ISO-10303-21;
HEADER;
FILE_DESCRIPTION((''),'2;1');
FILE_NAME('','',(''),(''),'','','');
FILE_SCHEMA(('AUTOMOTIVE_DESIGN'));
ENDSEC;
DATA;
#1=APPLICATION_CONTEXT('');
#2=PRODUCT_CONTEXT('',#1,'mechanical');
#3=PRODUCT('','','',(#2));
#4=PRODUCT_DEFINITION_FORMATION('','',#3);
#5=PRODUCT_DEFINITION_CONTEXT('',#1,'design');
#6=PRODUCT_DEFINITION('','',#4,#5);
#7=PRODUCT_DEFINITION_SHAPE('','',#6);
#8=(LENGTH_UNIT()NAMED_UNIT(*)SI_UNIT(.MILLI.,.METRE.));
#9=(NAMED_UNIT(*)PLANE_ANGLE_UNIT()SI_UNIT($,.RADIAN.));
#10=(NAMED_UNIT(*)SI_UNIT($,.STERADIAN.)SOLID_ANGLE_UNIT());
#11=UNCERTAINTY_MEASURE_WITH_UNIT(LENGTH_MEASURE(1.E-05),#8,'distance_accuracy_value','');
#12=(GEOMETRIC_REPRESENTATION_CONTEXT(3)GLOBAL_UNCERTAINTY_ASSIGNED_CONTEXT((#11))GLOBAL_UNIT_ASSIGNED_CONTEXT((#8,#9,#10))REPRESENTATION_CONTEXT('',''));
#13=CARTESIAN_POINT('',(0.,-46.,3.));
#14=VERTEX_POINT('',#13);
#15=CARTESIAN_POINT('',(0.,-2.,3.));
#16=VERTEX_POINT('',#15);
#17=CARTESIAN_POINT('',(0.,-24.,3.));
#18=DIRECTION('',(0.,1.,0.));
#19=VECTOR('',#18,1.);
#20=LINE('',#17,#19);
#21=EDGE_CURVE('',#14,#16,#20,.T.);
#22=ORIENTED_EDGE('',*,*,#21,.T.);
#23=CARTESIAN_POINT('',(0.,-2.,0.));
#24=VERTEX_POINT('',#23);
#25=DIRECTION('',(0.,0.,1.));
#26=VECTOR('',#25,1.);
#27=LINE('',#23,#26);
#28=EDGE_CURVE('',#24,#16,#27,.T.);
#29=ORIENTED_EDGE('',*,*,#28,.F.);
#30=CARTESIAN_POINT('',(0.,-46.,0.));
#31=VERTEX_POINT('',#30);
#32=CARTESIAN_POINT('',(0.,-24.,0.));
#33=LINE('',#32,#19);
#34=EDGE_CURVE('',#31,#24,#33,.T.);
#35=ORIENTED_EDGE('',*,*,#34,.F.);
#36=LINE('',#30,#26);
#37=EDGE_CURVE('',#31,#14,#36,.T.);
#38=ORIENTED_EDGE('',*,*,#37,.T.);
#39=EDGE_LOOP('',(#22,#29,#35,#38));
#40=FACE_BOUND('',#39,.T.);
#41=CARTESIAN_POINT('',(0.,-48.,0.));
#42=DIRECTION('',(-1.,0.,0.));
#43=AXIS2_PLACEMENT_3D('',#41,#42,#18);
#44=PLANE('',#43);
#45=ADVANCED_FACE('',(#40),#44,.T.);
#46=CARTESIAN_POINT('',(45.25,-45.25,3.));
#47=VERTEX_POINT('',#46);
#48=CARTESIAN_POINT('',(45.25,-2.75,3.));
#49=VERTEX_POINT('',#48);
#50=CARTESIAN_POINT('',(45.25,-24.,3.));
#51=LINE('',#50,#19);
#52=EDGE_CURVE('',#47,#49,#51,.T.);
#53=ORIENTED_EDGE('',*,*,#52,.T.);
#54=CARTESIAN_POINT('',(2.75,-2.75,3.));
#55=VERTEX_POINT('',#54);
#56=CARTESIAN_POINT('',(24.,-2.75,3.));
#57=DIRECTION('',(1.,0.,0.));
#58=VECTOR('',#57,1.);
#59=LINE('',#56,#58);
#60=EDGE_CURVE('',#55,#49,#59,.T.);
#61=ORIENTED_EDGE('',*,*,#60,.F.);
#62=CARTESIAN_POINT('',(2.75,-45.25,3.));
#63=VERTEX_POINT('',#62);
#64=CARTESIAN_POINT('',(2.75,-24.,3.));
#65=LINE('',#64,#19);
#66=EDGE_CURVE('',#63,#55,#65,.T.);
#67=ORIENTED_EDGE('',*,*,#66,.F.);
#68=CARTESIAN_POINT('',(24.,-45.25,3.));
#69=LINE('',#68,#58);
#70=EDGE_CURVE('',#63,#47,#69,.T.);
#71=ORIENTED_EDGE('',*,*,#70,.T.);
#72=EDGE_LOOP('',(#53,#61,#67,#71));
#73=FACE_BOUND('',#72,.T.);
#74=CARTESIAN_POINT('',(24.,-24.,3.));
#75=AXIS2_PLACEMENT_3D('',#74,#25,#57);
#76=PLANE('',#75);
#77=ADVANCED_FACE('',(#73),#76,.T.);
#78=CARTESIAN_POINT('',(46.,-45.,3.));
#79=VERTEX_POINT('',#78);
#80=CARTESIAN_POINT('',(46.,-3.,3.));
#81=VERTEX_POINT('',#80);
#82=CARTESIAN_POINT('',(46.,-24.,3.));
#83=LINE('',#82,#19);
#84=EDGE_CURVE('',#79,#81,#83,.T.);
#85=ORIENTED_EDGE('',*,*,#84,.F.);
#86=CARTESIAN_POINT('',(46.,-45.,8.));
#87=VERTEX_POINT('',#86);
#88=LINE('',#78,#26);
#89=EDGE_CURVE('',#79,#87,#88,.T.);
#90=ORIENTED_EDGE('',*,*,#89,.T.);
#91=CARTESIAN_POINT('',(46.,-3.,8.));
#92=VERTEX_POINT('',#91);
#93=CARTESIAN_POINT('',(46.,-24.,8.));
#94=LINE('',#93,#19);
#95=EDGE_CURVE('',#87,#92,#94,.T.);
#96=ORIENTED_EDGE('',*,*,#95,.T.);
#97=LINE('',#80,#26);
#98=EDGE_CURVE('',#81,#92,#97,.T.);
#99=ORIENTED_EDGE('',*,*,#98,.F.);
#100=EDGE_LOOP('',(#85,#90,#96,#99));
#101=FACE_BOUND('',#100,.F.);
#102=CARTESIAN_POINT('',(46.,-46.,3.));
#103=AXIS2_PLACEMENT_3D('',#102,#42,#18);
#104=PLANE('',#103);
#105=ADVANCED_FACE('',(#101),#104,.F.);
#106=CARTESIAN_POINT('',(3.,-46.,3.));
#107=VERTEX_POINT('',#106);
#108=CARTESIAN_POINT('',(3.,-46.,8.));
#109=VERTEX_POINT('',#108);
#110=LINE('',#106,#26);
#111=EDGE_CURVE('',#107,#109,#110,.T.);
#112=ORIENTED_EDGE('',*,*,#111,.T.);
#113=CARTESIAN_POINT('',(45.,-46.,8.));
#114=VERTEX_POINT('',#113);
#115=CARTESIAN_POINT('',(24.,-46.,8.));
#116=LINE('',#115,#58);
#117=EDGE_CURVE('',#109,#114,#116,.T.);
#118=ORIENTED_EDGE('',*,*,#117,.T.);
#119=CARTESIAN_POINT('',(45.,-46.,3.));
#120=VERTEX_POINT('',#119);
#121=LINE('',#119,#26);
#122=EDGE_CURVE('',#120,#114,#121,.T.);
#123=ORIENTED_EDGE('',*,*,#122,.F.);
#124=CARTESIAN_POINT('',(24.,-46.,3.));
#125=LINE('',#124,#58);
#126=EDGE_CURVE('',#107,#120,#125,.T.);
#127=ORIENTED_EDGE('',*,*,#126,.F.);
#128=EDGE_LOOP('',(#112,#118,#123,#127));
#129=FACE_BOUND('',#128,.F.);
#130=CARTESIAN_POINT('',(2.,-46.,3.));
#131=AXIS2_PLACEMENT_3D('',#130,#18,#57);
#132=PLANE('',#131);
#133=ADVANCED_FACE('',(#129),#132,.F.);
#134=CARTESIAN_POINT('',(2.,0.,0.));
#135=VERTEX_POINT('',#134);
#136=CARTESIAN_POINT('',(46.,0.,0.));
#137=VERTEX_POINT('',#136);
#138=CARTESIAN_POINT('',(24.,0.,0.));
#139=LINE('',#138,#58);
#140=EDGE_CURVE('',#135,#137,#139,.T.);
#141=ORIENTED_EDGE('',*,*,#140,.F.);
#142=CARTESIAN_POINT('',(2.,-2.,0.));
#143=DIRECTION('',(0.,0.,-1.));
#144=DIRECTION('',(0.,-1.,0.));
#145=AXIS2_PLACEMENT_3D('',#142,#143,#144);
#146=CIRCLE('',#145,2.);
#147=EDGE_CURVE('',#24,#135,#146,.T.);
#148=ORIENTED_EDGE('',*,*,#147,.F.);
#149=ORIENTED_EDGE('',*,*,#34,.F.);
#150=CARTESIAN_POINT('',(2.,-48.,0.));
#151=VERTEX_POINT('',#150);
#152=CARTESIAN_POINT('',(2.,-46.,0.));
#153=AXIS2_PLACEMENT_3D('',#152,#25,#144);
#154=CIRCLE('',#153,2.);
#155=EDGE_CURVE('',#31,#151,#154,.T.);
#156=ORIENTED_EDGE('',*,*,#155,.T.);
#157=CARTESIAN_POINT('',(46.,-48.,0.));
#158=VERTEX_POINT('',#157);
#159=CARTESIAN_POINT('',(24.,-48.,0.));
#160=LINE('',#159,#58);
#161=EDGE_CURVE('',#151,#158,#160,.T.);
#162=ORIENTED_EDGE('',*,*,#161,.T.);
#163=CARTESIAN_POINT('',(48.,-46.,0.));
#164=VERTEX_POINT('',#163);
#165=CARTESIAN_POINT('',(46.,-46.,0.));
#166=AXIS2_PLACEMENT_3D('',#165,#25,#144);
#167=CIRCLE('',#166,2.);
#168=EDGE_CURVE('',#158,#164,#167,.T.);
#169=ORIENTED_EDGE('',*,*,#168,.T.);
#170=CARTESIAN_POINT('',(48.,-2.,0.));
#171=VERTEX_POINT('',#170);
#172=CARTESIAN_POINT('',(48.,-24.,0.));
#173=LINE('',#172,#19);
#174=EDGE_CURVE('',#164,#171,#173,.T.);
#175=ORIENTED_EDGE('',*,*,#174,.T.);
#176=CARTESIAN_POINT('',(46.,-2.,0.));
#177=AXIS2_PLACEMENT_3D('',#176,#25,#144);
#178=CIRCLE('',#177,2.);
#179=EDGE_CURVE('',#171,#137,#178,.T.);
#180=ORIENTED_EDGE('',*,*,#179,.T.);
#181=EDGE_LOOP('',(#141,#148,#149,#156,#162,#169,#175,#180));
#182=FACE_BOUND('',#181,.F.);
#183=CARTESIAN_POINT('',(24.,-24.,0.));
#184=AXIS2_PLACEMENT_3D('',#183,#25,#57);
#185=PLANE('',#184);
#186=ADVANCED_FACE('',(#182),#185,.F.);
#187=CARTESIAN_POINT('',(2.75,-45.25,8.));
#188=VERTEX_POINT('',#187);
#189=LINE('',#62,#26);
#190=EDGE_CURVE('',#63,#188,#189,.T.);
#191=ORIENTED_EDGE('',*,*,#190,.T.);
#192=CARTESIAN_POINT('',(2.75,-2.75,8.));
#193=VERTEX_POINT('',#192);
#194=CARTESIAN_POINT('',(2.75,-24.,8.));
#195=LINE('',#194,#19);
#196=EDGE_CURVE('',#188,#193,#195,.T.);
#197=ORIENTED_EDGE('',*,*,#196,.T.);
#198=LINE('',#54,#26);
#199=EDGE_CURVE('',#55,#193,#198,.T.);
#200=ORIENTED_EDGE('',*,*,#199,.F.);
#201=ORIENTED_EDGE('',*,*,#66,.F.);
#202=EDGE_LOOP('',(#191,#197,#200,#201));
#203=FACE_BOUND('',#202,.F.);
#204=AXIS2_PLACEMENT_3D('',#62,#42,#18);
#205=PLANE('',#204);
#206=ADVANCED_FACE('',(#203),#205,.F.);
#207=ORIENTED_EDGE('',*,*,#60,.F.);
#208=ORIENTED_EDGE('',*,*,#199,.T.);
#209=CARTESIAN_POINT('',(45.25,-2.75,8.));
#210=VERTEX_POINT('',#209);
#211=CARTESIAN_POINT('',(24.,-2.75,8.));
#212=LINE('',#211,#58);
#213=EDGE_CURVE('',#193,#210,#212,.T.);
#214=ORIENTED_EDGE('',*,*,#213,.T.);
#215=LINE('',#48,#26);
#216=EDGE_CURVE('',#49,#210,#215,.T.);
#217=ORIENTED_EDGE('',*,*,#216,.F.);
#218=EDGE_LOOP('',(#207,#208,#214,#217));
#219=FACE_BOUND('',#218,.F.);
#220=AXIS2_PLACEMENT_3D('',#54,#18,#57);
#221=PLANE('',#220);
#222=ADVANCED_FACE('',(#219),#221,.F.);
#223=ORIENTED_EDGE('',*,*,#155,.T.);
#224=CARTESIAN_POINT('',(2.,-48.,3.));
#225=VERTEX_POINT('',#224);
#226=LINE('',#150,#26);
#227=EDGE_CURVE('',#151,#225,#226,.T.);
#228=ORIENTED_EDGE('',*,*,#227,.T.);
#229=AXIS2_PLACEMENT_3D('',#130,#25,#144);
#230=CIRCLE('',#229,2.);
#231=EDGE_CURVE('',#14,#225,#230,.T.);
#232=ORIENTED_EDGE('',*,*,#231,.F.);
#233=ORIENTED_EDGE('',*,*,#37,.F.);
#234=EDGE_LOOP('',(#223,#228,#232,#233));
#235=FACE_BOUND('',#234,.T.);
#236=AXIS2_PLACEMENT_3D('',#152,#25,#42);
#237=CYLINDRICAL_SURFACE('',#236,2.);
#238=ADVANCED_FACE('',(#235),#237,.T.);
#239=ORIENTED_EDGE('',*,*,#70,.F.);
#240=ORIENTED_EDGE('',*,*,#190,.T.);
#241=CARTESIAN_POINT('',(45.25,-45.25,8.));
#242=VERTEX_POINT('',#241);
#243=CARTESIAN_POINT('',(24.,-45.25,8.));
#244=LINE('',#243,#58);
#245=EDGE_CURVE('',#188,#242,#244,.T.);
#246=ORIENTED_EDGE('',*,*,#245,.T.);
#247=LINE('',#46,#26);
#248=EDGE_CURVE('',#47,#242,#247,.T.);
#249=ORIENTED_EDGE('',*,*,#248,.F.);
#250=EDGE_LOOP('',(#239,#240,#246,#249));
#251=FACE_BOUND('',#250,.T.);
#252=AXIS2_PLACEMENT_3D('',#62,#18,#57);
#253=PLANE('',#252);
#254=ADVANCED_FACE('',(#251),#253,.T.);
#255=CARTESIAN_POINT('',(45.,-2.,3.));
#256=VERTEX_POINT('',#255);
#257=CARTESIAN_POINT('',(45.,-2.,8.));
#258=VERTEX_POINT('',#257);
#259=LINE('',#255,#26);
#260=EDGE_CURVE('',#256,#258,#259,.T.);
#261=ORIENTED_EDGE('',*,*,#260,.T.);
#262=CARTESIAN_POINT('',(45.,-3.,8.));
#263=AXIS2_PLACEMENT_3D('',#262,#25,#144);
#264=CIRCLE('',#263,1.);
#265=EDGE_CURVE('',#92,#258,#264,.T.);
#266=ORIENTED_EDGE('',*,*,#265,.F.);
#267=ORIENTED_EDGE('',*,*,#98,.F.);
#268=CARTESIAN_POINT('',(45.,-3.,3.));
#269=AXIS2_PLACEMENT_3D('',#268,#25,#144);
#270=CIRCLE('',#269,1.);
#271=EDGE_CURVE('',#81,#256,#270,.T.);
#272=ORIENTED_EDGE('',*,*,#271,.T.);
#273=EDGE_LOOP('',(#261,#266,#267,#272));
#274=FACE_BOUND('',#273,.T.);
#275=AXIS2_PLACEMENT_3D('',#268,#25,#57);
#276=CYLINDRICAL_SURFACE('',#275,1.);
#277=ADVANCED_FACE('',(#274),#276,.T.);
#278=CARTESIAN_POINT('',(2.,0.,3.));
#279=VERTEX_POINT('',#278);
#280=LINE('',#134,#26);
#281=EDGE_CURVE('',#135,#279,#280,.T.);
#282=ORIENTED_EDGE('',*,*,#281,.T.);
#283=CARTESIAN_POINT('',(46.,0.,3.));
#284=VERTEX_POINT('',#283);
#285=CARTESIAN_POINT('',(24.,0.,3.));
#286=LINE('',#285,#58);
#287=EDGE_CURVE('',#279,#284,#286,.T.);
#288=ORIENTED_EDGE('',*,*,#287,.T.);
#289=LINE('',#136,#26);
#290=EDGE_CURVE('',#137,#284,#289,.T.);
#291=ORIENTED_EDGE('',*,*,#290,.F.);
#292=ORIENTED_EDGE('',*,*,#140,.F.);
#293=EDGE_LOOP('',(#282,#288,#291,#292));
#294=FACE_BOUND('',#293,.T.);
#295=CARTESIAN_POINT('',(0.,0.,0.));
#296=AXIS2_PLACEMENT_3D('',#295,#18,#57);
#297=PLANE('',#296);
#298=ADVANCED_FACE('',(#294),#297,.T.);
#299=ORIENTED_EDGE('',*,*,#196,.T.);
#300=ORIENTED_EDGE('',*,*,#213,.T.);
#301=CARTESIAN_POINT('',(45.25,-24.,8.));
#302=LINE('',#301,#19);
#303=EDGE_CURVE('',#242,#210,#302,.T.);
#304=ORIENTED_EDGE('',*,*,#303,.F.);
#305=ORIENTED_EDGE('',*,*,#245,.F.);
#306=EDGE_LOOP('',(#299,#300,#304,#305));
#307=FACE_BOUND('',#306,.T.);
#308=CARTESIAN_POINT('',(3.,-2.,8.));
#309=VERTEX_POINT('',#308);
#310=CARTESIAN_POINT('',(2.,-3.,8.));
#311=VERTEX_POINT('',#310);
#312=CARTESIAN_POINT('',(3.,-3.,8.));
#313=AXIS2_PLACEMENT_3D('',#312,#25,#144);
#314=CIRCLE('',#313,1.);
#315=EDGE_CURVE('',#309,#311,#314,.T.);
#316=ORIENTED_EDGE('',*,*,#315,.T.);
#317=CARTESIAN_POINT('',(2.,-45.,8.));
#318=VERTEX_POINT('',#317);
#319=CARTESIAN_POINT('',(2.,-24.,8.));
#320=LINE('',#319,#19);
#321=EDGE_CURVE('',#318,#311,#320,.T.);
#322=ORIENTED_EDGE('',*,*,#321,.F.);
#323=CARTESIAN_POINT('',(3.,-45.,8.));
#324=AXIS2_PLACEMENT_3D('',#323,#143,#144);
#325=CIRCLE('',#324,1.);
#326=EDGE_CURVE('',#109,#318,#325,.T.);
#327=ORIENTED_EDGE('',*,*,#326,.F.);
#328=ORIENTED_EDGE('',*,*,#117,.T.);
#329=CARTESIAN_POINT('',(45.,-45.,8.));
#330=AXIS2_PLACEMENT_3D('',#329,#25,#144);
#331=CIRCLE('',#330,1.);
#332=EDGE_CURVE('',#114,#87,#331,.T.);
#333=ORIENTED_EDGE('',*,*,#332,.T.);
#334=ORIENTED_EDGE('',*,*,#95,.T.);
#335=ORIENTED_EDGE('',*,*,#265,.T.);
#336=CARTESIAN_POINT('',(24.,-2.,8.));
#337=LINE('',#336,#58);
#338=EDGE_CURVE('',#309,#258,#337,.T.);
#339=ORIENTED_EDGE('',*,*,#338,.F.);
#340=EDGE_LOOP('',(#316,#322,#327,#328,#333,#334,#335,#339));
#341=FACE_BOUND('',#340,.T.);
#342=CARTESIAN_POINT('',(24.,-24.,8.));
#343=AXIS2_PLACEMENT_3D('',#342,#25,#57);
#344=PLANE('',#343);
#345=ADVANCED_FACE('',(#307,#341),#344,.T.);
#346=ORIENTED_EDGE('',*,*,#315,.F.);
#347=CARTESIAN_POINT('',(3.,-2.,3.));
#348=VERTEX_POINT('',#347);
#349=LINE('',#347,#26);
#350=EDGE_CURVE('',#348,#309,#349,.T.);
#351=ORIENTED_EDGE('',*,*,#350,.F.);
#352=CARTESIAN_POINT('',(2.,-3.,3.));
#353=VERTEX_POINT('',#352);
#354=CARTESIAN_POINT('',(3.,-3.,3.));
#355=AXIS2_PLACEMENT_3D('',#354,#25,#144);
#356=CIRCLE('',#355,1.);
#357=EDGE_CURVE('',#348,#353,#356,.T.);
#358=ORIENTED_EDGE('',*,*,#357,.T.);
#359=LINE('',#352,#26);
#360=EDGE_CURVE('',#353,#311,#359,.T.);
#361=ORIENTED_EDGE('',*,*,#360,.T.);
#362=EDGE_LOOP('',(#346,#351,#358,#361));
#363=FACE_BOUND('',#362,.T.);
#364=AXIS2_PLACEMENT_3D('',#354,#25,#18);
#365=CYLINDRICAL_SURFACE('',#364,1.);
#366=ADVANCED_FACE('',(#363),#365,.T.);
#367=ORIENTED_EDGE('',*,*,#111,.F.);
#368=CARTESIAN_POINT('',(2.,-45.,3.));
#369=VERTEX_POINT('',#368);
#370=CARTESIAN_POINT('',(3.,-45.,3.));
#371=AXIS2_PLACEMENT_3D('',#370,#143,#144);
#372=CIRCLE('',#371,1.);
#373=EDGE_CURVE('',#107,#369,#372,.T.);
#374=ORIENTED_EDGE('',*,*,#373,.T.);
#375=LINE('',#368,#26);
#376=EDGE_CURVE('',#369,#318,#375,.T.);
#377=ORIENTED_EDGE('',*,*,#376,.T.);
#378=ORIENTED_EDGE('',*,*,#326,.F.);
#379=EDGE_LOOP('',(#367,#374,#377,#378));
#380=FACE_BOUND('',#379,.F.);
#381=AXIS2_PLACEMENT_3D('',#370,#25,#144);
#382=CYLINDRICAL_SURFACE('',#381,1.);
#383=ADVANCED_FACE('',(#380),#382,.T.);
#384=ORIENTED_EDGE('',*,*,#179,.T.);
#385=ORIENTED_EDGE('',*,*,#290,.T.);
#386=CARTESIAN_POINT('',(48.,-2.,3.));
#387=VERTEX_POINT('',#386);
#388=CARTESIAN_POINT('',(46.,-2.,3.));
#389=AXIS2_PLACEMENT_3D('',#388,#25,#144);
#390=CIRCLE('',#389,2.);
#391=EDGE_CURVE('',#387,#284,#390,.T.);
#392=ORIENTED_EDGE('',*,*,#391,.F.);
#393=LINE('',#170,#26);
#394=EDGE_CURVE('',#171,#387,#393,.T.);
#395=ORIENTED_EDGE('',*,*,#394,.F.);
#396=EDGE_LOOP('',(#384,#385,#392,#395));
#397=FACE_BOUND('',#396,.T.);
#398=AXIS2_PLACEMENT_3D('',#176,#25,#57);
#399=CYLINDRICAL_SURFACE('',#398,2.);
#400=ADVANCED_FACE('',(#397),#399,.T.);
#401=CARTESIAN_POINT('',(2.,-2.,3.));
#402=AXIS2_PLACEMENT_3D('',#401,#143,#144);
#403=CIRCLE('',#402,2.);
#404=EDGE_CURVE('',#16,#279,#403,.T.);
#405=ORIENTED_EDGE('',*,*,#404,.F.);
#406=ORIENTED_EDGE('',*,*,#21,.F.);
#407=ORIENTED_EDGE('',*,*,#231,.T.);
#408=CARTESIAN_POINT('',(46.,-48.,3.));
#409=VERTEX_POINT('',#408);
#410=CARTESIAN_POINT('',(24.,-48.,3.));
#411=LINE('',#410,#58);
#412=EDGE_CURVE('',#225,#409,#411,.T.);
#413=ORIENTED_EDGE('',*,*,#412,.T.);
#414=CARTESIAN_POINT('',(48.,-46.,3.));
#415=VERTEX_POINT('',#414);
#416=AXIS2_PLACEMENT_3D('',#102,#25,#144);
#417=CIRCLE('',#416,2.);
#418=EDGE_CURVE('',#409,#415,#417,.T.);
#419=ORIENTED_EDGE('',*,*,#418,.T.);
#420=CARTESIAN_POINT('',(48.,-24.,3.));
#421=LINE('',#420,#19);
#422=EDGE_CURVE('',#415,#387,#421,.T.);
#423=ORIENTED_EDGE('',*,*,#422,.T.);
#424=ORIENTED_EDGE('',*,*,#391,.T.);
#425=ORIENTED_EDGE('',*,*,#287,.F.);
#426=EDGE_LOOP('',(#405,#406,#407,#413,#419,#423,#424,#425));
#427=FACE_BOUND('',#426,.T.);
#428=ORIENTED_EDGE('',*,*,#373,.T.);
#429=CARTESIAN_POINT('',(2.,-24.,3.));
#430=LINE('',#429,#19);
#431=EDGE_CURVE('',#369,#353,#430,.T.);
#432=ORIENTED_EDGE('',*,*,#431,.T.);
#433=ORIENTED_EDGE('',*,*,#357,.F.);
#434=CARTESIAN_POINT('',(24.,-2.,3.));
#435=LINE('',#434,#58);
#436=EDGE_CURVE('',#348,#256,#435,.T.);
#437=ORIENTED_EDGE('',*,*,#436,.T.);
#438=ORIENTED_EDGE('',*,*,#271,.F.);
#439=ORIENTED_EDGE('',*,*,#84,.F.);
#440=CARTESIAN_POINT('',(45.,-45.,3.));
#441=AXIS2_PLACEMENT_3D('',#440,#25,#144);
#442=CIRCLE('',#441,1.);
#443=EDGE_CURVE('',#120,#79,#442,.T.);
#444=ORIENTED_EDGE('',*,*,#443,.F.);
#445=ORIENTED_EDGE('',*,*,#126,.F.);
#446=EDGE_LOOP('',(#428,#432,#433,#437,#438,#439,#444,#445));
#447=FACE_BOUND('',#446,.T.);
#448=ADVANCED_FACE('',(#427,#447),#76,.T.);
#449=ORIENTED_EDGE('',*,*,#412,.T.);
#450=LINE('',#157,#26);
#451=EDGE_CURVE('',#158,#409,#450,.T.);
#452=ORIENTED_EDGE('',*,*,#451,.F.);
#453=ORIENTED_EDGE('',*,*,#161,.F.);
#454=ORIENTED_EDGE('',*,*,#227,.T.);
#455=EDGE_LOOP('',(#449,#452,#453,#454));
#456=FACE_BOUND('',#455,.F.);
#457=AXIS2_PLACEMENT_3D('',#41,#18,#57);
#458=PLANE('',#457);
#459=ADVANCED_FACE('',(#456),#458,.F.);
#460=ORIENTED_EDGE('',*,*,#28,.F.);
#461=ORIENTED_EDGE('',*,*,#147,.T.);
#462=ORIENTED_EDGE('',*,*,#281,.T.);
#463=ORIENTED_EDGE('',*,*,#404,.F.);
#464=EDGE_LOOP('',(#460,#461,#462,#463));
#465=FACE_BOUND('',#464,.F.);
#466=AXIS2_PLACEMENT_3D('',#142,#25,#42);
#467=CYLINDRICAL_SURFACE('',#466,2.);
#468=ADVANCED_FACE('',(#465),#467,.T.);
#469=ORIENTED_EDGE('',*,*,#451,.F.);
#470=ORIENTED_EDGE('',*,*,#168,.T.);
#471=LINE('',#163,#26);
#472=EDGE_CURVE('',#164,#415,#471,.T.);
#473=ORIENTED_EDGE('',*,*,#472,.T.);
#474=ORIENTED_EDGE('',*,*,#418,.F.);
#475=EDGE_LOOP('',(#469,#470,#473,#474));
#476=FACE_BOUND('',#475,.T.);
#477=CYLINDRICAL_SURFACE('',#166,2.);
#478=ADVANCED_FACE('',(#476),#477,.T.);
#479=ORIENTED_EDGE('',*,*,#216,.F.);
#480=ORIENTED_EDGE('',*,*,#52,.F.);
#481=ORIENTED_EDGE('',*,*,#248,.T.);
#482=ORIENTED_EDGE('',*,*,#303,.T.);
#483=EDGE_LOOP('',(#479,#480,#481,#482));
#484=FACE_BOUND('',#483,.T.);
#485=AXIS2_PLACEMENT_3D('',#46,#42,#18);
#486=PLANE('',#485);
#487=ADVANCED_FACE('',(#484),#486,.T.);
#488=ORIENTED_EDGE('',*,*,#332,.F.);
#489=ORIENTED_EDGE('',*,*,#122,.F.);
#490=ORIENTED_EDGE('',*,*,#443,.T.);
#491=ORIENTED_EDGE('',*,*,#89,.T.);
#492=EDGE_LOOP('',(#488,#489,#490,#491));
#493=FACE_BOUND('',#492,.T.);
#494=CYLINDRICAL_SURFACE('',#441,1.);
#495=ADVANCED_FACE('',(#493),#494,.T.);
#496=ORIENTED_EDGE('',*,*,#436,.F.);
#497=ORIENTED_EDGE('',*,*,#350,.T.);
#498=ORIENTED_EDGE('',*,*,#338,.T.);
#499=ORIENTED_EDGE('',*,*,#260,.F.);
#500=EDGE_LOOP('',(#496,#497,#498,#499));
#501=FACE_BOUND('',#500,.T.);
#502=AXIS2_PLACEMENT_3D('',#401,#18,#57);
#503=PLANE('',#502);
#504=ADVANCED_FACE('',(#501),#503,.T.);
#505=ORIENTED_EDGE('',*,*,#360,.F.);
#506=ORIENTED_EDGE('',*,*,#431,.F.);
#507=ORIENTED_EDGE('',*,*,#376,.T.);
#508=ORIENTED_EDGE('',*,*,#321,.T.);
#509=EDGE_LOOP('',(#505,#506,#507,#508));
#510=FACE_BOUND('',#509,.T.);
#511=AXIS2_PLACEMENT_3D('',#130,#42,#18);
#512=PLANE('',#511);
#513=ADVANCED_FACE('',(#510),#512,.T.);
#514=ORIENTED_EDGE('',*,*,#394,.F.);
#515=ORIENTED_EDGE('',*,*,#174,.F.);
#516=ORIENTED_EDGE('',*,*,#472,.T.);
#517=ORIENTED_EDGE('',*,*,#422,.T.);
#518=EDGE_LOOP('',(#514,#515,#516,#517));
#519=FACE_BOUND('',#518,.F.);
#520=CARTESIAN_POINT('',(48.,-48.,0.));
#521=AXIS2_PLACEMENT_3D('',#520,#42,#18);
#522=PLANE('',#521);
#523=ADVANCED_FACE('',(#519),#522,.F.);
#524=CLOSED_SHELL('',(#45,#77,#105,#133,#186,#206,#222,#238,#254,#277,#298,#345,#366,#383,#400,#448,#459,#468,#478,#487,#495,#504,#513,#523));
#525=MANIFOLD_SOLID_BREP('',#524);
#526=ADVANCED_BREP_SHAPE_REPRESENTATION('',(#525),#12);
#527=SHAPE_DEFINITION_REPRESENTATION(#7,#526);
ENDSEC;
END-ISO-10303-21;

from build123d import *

# Parameters (mm, degrees)
F0_W     = 48
F0_H     = 48
F1_DEPTH = 3
F2_R     = 2
F3_W     = 44
F3_H     = 44
F3_W_2   = 42.5
F3_H_2   = 42.5
F4_DEPTH = 5
F5_R     = 1


with BuildPart() as f1:
    # F0 (on Top) → F1 (new body)
    with BuildSketch(Plane.XY):
        with Locations((24, -24)):
            Rectangle(F0_W, F0_H)
    extrude(amount=F1_DEPTH)

    # F2
    f2_edges = [f1.edges().sort_by_distance(p)[0] for p in [
        (48, -48, 1.5),
        (0, -48, 1.5),
        (48, 0, 1.5),
        (0, 0, 1.5),
    ]]
    fillet(f2_edges, radius=F2_R)

    # F3 (on face) → F4 (join)
    with BuildSketch(Plane.XY.offset(3)):
        with Locations((24, -24)):
            Rectangle(F3_W, F3_H)
        with Locations((24, -24)):
            Rectangle(F3_W_2, F3_H_2, mode=Mode.SUBTRACT)
    extrude(amount=F4_DEPTH)

    # F5
    f5_edges = [f1.edges().sort_by_distance(p)[0] for p in [
        (46, -2, 5.5),
        (2, -2, 5.5),
        (2, -46, 5.5),
        (46, -46, 5.5),
    ]]
    fillet(f5_edges, radius=F5_R)


solid = f1.part
